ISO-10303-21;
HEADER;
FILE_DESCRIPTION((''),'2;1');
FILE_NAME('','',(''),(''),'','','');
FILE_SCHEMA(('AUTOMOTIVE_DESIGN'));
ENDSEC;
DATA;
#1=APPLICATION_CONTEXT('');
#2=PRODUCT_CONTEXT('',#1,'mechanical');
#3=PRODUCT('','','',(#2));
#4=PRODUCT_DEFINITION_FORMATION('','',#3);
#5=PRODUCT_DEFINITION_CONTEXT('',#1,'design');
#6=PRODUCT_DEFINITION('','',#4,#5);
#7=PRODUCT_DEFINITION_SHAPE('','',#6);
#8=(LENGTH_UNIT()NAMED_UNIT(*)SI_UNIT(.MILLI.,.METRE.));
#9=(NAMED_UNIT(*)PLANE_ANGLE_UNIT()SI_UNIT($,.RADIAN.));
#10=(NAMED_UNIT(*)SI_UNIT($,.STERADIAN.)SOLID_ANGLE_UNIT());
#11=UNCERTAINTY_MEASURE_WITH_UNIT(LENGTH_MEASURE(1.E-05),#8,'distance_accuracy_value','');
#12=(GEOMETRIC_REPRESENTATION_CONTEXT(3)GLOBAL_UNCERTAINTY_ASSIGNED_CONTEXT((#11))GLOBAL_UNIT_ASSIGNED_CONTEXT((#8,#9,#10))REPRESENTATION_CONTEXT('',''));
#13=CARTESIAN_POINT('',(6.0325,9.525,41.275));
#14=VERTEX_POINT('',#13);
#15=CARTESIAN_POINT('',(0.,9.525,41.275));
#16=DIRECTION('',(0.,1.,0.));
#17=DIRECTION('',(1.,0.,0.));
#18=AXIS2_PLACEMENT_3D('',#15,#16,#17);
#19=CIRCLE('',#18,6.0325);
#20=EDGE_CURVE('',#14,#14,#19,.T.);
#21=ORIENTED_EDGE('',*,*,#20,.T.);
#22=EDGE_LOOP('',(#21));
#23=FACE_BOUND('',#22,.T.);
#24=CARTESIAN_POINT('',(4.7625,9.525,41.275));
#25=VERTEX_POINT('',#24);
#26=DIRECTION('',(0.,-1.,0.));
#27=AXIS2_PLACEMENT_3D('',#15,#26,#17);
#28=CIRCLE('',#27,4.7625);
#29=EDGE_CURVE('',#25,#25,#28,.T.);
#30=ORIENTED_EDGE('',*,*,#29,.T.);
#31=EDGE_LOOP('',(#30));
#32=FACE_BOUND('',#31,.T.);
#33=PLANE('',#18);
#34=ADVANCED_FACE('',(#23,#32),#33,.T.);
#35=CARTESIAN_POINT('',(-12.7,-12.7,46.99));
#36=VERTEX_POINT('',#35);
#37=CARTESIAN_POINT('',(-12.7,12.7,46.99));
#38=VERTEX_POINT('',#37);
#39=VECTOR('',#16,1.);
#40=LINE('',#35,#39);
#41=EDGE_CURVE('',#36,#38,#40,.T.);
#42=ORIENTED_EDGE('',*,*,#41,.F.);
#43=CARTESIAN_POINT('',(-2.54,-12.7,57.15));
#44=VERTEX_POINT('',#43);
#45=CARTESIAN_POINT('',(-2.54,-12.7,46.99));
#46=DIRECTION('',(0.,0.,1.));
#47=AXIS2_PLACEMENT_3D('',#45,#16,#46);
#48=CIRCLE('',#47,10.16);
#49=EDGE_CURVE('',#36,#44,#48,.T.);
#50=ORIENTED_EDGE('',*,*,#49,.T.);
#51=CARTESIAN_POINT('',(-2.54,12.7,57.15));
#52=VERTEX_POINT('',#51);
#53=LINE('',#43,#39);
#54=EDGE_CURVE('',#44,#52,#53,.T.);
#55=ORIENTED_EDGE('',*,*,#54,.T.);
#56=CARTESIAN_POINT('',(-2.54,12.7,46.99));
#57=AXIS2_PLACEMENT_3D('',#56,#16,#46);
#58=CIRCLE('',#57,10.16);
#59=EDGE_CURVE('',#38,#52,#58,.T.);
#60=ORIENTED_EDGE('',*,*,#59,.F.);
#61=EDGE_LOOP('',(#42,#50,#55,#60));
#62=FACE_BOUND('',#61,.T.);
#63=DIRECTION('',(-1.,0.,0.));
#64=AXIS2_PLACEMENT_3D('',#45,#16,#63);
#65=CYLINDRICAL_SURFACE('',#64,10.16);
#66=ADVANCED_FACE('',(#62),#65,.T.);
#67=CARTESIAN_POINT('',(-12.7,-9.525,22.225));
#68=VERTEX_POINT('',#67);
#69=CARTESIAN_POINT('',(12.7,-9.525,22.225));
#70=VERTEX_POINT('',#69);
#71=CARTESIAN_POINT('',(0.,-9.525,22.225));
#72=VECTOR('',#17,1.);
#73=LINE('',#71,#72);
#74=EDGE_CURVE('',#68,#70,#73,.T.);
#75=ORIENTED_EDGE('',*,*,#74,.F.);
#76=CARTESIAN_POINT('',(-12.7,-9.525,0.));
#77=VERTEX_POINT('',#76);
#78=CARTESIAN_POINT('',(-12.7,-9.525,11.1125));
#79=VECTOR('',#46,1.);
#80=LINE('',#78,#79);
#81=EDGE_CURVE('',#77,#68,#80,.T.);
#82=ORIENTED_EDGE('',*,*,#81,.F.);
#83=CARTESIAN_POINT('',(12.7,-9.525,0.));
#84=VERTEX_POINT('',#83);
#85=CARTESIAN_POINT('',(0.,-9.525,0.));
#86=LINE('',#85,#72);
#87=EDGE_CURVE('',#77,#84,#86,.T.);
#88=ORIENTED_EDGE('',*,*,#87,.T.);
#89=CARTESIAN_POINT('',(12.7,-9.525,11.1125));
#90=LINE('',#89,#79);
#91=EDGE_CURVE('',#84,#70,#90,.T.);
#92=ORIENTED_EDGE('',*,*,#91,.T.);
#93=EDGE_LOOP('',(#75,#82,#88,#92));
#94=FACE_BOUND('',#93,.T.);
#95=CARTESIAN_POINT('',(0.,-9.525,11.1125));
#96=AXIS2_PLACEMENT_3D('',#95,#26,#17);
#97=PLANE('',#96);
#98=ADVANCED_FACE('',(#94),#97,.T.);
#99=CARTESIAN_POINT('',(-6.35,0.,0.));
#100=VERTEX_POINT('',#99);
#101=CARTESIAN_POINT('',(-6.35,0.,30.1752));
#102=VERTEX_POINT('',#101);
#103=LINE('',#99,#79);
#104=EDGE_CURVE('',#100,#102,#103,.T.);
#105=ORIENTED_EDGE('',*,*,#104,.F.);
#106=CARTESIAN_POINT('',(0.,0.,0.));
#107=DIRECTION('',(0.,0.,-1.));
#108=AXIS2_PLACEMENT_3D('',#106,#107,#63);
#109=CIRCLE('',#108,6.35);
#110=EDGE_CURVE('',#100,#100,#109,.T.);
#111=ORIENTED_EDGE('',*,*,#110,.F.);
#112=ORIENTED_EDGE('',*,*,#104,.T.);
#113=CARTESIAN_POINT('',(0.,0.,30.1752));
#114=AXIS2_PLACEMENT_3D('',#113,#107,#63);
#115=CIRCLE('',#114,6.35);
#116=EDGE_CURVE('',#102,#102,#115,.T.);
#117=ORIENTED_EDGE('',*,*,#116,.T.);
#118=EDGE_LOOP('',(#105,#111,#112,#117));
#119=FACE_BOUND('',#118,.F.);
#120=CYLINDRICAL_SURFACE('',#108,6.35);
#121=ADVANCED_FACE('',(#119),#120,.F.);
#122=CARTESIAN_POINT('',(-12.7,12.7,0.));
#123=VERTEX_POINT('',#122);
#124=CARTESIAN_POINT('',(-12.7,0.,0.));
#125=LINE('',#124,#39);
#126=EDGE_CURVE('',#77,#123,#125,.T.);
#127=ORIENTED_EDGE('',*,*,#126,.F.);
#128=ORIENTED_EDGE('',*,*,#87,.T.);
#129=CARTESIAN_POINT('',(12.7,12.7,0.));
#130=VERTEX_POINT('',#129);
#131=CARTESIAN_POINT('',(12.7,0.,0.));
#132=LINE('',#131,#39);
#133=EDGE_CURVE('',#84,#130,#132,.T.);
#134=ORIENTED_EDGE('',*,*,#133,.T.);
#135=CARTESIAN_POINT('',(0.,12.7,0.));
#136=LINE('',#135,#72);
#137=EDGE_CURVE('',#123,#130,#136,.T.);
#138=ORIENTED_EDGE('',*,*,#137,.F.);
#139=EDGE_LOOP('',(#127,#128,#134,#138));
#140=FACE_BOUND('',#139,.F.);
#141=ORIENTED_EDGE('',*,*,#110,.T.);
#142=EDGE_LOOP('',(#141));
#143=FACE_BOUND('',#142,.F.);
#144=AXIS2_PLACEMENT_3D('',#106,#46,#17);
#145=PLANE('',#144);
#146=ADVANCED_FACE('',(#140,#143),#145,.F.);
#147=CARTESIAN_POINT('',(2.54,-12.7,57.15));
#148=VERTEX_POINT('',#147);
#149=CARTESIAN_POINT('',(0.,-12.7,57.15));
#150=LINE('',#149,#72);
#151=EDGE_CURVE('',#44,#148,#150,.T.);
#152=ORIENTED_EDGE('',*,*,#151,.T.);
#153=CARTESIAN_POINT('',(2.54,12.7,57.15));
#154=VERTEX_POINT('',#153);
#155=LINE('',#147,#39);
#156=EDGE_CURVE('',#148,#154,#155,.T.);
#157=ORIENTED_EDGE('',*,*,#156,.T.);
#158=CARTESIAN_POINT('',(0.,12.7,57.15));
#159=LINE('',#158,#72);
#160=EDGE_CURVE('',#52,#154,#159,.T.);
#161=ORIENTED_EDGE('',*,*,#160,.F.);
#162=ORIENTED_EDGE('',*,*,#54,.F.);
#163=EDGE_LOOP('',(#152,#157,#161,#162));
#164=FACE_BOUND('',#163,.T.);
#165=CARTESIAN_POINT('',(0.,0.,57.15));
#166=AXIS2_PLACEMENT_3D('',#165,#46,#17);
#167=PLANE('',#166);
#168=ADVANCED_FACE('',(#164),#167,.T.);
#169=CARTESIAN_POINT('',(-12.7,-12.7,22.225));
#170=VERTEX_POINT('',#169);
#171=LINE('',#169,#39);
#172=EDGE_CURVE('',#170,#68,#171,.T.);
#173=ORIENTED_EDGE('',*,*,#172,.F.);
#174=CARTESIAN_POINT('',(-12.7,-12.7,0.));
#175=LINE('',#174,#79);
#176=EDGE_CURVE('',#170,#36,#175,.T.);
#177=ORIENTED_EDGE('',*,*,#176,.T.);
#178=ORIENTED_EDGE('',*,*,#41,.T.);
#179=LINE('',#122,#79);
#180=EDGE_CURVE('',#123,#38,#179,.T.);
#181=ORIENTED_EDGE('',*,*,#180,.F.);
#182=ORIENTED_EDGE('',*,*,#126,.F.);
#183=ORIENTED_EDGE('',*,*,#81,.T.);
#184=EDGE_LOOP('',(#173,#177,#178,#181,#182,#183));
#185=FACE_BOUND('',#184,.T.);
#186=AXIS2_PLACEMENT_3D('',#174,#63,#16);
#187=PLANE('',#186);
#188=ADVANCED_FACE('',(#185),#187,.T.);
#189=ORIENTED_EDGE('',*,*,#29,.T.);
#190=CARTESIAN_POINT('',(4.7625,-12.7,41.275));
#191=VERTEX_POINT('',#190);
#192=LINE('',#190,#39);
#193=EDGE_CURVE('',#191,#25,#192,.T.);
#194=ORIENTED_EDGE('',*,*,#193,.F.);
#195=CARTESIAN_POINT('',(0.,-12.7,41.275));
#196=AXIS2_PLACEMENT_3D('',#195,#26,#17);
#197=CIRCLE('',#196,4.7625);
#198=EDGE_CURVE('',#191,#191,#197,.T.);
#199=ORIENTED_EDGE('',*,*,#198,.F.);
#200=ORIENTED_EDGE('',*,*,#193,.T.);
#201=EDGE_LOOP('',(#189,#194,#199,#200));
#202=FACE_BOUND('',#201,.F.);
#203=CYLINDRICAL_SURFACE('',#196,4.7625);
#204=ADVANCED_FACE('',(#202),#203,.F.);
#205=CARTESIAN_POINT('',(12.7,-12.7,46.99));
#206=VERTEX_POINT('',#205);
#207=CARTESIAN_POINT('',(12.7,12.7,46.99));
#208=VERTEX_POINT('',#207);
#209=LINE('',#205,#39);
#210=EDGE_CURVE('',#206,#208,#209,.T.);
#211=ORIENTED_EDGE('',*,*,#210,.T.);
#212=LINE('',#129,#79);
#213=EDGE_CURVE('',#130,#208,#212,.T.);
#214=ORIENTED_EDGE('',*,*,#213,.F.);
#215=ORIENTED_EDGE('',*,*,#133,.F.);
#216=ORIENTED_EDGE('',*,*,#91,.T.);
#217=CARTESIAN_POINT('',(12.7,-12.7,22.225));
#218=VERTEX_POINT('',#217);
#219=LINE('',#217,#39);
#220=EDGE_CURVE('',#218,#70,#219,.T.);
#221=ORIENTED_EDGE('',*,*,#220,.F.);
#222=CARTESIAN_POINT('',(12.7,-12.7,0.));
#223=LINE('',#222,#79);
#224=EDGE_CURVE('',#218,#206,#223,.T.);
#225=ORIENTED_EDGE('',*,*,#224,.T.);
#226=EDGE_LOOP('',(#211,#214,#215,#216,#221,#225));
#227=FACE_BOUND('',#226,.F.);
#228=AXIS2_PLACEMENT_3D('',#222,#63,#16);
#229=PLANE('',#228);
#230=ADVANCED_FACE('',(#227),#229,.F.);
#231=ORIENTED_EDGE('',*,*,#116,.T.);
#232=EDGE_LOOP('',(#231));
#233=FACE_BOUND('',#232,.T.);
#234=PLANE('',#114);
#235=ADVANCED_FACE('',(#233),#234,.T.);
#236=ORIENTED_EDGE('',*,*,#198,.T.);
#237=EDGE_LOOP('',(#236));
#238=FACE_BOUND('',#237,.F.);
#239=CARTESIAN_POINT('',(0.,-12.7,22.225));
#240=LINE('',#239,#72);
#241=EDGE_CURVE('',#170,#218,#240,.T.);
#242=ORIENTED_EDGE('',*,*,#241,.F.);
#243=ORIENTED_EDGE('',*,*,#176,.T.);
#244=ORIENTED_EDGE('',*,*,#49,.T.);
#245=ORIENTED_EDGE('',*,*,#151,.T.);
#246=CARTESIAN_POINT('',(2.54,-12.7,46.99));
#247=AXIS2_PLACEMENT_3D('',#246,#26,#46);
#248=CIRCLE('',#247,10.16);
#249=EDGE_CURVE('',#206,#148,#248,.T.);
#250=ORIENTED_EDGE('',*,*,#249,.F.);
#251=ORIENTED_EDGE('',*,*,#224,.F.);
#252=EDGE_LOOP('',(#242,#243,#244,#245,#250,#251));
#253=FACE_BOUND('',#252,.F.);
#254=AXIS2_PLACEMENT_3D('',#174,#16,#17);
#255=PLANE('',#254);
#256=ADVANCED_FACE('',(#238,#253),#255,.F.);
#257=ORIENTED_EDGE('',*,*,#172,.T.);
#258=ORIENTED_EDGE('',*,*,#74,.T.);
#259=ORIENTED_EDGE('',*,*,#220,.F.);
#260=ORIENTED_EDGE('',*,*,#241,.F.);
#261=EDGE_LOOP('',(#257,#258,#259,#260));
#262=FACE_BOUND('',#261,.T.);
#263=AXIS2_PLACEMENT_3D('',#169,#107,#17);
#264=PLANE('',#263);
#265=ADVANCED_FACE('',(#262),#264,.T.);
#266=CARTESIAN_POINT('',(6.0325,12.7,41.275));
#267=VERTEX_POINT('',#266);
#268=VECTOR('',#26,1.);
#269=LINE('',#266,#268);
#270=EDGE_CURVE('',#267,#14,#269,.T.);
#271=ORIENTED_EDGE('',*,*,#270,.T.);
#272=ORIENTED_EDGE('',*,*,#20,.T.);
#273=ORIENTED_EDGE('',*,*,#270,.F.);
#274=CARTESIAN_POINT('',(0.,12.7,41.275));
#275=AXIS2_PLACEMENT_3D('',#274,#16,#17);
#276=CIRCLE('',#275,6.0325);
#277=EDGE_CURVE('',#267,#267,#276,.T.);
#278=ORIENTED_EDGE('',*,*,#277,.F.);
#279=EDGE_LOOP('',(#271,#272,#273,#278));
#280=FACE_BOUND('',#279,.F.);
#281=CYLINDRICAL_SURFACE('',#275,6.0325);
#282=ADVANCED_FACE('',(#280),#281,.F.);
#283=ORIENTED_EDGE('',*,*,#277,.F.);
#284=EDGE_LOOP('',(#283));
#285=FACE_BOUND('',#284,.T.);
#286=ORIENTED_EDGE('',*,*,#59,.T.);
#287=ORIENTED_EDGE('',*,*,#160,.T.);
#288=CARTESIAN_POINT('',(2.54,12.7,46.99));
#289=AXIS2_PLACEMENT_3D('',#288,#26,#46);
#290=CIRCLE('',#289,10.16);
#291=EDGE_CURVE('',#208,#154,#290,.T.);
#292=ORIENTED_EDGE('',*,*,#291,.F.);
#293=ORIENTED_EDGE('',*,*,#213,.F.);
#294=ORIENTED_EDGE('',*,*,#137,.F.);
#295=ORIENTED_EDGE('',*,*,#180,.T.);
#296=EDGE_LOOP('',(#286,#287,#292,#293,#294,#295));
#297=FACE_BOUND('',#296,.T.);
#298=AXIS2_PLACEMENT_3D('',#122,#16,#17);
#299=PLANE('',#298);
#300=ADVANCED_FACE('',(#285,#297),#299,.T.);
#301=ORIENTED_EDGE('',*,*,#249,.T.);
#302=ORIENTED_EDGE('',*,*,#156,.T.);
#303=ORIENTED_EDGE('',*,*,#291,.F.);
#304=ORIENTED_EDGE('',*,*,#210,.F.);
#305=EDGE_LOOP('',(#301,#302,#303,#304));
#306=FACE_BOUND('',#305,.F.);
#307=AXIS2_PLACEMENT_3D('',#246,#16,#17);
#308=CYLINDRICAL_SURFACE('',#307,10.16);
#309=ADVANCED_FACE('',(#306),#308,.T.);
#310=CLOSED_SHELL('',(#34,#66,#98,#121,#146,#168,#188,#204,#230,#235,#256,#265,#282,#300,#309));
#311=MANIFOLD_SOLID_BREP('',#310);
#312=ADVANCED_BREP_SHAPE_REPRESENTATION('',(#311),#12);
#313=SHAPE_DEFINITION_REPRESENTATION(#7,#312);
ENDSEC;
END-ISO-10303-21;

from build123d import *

# Parameters (mm, degrees)
SKETCH1_W           = 25.4
SKETCH1_H           = 25.4
BOSS_EXTRUDE1_DEPTH = 57.15
FILLET2_R           = 10.16
SKETCH2_W           = 25.4
SKETCH2_H           = 22.225
CUT_EXTRUDE2_DEPTH  = 3.175
SKETCH3_R           = 4.7625
CUT_EXTRUDE3_DEPTH  = 22.225
SKETCH4_R           = 6.0325
CUT_EXTRUDE4_DEPTH  = 3.175
SKETCH5_R           = 6.35
CUT_EXTRUDE5_DEPTH  = 30.1752


with BuildPart() as part:
    # Sketch1 → Boss-Extrude1 (new body)
    with BuildSketch(Plane.XY):
        Rectangle(SKETCH1_W, SKETCH1_H)
    extrude(amount=BOSS_EXTRUDE1_DEPTH)

    # Fillet2
    fillet2_edges = [part.edges().sort_by_distance(p)[0] for p in [
        (-12.7, 0, 57.15),
        (12.7, 0, 57.15),
    ]]
    fillet(fillet2_edges, radius=FILLET2_R)

    # Sketch2 → Cut-Extrude2 (cut)
    with BuildSketch(Plane.XZ.offset(12.7)):
        with Locations((0, 11.1125)):
            Rectangle(SKETCH2_W, SKETCH2_H)
    extrude(amount=-CUT_EXTRUDE2_DEPTH, mode=Mode.SUBTRACT)

    # Sketch3 → Cut-Extrude3 (cut)
    with BuildSketch(Plane.XZ.offset(12.7)):
        with Locations((0, 41.275)):
            Circle(SKETCH3_R)
    extrude(amount=-CUT_EXTRUDE3_DEPTH, mode=Mode.SUBTRACT)

    # Sketch4 → Cut-Extrude4 (cut)
    with BuildSketch(Plane(origin=(0, 12.7, 0), x_dir=(1, 0, 0), z_dir=(0, 1, 0))):
        with Locations((0, -41.275)):
            Circle(SKETCH4_R)
    extrude(amount=-CUT_EXTRUDE4_DEPTH, mode=Mode.SUBTRACT)

    # Sketch5 → Cut-Extrude5 (cut)
    with BuildSketch(Plane(origin=(0, 0, 0), x_dir=(-1, 0, 0), z_dir=(0, 0, -1))):
        Circle(SKETCH5_R)
    extrude(amount=-CUT_EXTRUDE5_DEPTH, mode=Mode.SUBTRACT)


solid = part.part
